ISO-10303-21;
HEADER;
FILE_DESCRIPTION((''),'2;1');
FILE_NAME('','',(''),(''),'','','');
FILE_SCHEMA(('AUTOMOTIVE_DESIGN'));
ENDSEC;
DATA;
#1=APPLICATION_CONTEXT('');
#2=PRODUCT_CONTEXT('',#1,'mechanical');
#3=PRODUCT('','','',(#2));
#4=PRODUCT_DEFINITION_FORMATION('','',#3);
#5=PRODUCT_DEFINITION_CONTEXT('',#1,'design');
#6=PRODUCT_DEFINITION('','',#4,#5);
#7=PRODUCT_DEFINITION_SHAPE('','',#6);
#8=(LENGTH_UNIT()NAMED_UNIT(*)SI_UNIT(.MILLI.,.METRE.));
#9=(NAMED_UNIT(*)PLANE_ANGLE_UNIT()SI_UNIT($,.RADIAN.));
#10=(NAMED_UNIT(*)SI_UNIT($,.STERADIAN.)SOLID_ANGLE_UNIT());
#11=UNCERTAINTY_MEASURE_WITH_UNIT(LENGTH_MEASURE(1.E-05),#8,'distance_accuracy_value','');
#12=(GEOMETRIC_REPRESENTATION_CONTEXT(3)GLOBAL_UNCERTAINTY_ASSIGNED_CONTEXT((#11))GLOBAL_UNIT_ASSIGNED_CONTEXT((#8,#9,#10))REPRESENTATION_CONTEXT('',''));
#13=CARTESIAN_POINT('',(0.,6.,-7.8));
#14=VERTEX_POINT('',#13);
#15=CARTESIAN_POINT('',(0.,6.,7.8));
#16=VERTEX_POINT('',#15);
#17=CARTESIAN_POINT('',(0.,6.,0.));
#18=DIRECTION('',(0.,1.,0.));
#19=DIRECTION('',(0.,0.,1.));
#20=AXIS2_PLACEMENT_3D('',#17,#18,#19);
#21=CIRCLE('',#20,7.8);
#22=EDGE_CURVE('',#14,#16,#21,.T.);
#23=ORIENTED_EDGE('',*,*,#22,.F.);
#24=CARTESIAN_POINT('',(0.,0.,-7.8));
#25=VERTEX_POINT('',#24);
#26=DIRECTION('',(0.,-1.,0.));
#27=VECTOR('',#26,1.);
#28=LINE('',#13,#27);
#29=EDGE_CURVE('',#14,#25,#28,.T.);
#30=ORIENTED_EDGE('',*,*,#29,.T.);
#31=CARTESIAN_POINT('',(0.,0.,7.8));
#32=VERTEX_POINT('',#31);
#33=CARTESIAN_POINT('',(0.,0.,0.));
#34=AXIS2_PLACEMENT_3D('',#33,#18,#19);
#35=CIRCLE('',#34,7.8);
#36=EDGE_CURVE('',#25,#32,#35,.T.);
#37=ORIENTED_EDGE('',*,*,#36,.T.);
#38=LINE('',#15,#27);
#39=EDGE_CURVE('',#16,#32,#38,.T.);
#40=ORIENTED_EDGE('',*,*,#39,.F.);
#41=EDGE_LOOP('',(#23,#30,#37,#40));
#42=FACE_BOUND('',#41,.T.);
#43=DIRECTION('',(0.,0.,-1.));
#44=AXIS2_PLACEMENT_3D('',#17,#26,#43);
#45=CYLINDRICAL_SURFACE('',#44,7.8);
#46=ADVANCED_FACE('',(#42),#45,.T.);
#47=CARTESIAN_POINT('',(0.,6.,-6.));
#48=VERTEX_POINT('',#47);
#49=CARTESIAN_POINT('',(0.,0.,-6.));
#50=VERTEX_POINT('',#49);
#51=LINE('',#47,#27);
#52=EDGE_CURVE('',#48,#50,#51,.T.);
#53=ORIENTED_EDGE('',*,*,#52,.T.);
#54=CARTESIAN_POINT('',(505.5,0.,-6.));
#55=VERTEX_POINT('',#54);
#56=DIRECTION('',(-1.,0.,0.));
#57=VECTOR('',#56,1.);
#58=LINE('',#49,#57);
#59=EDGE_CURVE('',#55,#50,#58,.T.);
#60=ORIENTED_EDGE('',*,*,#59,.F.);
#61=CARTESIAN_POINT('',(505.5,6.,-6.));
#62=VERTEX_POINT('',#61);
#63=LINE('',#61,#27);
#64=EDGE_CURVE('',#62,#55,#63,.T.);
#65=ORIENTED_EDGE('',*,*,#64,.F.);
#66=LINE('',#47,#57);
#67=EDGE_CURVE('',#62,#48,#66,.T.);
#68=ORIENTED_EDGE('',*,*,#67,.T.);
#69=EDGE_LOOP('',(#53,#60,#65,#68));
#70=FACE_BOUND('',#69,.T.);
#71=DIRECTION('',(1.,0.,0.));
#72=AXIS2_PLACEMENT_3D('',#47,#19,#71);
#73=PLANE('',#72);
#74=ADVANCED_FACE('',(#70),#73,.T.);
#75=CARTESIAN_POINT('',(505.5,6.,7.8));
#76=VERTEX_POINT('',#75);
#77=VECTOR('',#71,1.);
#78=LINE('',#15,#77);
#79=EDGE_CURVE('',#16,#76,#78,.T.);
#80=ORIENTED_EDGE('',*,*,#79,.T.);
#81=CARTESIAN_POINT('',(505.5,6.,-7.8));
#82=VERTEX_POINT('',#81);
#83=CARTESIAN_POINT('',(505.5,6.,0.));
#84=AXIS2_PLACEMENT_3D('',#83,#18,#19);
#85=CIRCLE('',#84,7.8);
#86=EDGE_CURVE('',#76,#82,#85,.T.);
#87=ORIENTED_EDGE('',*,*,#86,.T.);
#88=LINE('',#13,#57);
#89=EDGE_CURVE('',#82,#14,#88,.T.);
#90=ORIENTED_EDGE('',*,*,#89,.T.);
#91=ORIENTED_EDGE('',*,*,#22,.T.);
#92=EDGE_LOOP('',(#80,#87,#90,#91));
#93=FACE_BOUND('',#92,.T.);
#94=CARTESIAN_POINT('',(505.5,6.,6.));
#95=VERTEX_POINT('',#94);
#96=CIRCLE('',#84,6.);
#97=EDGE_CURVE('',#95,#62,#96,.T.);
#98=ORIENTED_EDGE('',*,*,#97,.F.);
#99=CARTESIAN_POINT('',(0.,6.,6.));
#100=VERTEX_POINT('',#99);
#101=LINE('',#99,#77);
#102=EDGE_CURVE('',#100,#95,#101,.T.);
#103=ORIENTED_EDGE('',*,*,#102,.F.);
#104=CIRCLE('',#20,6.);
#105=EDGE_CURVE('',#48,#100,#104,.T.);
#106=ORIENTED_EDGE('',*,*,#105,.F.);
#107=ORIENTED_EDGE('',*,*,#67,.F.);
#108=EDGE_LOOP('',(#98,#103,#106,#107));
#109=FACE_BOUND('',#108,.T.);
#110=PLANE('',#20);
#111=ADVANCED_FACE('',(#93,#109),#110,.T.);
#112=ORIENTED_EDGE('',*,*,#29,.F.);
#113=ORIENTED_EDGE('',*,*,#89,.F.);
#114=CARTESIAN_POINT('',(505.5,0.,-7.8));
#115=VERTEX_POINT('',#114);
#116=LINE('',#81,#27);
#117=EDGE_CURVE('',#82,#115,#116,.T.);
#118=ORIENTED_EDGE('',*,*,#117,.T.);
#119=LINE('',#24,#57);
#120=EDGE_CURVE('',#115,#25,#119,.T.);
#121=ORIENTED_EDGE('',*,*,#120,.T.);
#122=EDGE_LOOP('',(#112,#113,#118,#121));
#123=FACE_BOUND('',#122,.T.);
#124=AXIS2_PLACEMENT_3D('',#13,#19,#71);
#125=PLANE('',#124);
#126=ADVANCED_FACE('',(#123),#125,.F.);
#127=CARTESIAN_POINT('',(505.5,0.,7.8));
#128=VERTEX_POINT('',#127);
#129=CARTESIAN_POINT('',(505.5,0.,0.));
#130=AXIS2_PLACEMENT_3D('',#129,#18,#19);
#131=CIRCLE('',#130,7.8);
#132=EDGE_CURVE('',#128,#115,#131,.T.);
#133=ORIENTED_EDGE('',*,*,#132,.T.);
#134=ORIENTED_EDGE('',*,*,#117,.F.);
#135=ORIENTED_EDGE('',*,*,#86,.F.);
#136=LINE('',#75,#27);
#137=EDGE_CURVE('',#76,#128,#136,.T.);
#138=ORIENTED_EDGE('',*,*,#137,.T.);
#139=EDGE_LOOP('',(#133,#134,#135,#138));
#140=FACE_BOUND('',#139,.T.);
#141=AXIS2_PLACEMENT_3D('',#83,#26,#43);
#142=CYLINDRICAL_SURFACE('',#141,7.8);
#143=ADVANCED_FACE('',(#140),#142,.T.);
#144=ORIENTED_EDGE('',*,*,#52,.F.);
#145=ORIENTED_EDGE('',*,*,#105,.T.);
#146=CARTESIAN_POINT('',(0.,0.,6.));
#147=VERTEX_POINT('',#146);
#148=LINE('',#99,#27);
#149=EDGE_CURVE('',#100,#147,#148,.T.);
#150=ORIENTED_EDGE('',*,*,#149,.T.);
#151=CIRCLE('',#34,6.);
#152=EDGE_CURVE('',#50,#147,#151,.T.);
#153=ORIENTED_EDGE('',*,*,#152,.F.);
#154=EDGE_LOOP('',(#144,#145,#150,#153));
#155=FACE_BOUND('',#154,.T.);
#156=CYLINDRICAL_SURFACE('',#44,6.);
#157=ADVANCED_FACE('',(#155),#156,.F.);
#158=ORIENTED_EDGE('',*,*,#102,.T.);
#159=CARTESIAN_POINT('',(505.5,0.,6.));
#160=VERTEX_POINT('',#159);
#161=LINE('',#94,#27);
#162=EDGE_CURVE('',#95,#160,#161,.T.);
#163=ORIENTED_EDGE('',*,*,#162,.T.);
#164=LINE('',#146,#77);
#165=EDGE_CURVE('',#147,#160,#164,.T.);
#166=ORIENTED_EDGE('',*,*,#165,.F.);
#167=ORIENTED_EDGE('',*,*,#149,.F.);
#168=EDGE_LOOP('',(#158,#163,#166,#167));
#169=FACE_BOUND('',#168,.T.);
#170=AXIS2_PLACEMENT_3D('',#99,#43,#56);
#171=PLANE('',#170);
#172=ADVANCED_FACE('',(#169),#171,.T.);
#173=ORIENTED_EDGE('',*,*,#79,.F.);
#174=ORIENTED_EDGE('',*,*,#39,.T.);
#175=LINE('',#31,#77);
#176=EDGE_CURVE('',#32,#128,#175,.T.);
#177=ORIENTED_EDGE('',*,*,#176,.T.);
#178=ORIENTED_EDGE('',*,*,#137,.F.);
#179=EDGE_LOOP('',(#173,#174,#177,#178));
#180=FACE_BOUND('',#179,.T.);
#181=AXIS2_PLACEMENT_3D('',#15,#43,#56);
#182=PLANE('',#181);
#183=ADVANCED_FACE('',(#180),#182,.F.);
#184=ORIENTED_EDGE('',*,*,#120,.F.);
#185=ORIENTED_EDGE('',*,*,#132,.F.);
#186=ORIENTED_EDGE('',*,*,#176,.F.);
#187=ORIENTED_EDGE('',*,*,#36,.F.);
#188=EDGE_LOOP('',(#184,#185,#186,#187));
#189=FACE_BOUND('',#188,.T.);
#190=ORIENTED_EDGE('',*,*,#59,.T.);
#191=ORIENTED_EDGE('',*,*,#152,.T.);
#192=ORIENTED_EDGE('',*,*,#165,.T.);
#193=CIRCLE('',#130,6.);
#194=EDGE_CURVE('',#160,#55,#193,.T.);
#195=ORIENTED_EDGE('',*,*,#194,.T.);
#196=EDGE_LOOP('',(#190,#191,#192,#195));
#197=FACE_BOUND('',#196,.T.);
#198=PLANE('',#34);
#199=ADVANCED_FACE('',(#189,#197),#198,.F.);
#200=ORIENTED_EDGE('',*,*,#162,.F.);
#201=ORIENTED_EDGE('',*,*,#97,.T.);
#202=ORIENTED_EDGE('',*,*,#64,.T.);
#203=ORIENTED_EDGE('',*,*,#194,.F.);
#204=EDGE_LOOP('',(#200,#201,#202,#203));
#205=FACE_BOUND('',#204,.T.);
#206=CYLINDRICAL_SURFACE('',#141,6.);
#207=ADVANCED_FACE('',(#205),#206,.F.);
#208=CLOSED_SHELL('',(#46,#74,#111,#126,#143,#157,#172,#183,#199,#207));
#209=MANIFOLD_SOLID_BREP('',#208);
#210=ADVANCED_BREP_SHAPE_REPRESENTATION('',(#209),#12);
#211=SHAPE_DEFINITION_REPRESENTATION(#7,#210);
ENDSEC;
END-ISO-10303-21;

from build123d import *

# Parameters (mm, degrees)
BOSS_EXTRUDE1_DEPTH = 6


with BuildPart() as part:
    # Sketch1 → Boss-Extrude1 (new body)
    with BuildSketch(Plane(origin=(0, 0, 0), x_dir=(1, 0, 0), z_dir=(0, 1, 0))):
        with BuildLine():
            Line((0, 7.8), (505.5, 7.8))
            ThreePointArc((505.5, 7.8), (513.3, 0), (505.5, -7.8))
            Line((505.5, -7.8), (0, -7.8))
            ThreePointArc((0, -7.8), (-7.8, 0), (0, 7.8))
        make_face()
        with BuildLine():
            Line((0, 6), (505.5, 6))
            ThreePointArc((505.5, 6), (511.5, 0), (505.5, -6))
            Line((505.5, -6), (0, -6))
            ThreePointArc((0, -6), (-6, 0), (0, 6))
        make_face(mode=Mode.SUBTRACT)
    extrude(amount=BOSS_EXTRUDE1_DEPTH)


solid = part.part
